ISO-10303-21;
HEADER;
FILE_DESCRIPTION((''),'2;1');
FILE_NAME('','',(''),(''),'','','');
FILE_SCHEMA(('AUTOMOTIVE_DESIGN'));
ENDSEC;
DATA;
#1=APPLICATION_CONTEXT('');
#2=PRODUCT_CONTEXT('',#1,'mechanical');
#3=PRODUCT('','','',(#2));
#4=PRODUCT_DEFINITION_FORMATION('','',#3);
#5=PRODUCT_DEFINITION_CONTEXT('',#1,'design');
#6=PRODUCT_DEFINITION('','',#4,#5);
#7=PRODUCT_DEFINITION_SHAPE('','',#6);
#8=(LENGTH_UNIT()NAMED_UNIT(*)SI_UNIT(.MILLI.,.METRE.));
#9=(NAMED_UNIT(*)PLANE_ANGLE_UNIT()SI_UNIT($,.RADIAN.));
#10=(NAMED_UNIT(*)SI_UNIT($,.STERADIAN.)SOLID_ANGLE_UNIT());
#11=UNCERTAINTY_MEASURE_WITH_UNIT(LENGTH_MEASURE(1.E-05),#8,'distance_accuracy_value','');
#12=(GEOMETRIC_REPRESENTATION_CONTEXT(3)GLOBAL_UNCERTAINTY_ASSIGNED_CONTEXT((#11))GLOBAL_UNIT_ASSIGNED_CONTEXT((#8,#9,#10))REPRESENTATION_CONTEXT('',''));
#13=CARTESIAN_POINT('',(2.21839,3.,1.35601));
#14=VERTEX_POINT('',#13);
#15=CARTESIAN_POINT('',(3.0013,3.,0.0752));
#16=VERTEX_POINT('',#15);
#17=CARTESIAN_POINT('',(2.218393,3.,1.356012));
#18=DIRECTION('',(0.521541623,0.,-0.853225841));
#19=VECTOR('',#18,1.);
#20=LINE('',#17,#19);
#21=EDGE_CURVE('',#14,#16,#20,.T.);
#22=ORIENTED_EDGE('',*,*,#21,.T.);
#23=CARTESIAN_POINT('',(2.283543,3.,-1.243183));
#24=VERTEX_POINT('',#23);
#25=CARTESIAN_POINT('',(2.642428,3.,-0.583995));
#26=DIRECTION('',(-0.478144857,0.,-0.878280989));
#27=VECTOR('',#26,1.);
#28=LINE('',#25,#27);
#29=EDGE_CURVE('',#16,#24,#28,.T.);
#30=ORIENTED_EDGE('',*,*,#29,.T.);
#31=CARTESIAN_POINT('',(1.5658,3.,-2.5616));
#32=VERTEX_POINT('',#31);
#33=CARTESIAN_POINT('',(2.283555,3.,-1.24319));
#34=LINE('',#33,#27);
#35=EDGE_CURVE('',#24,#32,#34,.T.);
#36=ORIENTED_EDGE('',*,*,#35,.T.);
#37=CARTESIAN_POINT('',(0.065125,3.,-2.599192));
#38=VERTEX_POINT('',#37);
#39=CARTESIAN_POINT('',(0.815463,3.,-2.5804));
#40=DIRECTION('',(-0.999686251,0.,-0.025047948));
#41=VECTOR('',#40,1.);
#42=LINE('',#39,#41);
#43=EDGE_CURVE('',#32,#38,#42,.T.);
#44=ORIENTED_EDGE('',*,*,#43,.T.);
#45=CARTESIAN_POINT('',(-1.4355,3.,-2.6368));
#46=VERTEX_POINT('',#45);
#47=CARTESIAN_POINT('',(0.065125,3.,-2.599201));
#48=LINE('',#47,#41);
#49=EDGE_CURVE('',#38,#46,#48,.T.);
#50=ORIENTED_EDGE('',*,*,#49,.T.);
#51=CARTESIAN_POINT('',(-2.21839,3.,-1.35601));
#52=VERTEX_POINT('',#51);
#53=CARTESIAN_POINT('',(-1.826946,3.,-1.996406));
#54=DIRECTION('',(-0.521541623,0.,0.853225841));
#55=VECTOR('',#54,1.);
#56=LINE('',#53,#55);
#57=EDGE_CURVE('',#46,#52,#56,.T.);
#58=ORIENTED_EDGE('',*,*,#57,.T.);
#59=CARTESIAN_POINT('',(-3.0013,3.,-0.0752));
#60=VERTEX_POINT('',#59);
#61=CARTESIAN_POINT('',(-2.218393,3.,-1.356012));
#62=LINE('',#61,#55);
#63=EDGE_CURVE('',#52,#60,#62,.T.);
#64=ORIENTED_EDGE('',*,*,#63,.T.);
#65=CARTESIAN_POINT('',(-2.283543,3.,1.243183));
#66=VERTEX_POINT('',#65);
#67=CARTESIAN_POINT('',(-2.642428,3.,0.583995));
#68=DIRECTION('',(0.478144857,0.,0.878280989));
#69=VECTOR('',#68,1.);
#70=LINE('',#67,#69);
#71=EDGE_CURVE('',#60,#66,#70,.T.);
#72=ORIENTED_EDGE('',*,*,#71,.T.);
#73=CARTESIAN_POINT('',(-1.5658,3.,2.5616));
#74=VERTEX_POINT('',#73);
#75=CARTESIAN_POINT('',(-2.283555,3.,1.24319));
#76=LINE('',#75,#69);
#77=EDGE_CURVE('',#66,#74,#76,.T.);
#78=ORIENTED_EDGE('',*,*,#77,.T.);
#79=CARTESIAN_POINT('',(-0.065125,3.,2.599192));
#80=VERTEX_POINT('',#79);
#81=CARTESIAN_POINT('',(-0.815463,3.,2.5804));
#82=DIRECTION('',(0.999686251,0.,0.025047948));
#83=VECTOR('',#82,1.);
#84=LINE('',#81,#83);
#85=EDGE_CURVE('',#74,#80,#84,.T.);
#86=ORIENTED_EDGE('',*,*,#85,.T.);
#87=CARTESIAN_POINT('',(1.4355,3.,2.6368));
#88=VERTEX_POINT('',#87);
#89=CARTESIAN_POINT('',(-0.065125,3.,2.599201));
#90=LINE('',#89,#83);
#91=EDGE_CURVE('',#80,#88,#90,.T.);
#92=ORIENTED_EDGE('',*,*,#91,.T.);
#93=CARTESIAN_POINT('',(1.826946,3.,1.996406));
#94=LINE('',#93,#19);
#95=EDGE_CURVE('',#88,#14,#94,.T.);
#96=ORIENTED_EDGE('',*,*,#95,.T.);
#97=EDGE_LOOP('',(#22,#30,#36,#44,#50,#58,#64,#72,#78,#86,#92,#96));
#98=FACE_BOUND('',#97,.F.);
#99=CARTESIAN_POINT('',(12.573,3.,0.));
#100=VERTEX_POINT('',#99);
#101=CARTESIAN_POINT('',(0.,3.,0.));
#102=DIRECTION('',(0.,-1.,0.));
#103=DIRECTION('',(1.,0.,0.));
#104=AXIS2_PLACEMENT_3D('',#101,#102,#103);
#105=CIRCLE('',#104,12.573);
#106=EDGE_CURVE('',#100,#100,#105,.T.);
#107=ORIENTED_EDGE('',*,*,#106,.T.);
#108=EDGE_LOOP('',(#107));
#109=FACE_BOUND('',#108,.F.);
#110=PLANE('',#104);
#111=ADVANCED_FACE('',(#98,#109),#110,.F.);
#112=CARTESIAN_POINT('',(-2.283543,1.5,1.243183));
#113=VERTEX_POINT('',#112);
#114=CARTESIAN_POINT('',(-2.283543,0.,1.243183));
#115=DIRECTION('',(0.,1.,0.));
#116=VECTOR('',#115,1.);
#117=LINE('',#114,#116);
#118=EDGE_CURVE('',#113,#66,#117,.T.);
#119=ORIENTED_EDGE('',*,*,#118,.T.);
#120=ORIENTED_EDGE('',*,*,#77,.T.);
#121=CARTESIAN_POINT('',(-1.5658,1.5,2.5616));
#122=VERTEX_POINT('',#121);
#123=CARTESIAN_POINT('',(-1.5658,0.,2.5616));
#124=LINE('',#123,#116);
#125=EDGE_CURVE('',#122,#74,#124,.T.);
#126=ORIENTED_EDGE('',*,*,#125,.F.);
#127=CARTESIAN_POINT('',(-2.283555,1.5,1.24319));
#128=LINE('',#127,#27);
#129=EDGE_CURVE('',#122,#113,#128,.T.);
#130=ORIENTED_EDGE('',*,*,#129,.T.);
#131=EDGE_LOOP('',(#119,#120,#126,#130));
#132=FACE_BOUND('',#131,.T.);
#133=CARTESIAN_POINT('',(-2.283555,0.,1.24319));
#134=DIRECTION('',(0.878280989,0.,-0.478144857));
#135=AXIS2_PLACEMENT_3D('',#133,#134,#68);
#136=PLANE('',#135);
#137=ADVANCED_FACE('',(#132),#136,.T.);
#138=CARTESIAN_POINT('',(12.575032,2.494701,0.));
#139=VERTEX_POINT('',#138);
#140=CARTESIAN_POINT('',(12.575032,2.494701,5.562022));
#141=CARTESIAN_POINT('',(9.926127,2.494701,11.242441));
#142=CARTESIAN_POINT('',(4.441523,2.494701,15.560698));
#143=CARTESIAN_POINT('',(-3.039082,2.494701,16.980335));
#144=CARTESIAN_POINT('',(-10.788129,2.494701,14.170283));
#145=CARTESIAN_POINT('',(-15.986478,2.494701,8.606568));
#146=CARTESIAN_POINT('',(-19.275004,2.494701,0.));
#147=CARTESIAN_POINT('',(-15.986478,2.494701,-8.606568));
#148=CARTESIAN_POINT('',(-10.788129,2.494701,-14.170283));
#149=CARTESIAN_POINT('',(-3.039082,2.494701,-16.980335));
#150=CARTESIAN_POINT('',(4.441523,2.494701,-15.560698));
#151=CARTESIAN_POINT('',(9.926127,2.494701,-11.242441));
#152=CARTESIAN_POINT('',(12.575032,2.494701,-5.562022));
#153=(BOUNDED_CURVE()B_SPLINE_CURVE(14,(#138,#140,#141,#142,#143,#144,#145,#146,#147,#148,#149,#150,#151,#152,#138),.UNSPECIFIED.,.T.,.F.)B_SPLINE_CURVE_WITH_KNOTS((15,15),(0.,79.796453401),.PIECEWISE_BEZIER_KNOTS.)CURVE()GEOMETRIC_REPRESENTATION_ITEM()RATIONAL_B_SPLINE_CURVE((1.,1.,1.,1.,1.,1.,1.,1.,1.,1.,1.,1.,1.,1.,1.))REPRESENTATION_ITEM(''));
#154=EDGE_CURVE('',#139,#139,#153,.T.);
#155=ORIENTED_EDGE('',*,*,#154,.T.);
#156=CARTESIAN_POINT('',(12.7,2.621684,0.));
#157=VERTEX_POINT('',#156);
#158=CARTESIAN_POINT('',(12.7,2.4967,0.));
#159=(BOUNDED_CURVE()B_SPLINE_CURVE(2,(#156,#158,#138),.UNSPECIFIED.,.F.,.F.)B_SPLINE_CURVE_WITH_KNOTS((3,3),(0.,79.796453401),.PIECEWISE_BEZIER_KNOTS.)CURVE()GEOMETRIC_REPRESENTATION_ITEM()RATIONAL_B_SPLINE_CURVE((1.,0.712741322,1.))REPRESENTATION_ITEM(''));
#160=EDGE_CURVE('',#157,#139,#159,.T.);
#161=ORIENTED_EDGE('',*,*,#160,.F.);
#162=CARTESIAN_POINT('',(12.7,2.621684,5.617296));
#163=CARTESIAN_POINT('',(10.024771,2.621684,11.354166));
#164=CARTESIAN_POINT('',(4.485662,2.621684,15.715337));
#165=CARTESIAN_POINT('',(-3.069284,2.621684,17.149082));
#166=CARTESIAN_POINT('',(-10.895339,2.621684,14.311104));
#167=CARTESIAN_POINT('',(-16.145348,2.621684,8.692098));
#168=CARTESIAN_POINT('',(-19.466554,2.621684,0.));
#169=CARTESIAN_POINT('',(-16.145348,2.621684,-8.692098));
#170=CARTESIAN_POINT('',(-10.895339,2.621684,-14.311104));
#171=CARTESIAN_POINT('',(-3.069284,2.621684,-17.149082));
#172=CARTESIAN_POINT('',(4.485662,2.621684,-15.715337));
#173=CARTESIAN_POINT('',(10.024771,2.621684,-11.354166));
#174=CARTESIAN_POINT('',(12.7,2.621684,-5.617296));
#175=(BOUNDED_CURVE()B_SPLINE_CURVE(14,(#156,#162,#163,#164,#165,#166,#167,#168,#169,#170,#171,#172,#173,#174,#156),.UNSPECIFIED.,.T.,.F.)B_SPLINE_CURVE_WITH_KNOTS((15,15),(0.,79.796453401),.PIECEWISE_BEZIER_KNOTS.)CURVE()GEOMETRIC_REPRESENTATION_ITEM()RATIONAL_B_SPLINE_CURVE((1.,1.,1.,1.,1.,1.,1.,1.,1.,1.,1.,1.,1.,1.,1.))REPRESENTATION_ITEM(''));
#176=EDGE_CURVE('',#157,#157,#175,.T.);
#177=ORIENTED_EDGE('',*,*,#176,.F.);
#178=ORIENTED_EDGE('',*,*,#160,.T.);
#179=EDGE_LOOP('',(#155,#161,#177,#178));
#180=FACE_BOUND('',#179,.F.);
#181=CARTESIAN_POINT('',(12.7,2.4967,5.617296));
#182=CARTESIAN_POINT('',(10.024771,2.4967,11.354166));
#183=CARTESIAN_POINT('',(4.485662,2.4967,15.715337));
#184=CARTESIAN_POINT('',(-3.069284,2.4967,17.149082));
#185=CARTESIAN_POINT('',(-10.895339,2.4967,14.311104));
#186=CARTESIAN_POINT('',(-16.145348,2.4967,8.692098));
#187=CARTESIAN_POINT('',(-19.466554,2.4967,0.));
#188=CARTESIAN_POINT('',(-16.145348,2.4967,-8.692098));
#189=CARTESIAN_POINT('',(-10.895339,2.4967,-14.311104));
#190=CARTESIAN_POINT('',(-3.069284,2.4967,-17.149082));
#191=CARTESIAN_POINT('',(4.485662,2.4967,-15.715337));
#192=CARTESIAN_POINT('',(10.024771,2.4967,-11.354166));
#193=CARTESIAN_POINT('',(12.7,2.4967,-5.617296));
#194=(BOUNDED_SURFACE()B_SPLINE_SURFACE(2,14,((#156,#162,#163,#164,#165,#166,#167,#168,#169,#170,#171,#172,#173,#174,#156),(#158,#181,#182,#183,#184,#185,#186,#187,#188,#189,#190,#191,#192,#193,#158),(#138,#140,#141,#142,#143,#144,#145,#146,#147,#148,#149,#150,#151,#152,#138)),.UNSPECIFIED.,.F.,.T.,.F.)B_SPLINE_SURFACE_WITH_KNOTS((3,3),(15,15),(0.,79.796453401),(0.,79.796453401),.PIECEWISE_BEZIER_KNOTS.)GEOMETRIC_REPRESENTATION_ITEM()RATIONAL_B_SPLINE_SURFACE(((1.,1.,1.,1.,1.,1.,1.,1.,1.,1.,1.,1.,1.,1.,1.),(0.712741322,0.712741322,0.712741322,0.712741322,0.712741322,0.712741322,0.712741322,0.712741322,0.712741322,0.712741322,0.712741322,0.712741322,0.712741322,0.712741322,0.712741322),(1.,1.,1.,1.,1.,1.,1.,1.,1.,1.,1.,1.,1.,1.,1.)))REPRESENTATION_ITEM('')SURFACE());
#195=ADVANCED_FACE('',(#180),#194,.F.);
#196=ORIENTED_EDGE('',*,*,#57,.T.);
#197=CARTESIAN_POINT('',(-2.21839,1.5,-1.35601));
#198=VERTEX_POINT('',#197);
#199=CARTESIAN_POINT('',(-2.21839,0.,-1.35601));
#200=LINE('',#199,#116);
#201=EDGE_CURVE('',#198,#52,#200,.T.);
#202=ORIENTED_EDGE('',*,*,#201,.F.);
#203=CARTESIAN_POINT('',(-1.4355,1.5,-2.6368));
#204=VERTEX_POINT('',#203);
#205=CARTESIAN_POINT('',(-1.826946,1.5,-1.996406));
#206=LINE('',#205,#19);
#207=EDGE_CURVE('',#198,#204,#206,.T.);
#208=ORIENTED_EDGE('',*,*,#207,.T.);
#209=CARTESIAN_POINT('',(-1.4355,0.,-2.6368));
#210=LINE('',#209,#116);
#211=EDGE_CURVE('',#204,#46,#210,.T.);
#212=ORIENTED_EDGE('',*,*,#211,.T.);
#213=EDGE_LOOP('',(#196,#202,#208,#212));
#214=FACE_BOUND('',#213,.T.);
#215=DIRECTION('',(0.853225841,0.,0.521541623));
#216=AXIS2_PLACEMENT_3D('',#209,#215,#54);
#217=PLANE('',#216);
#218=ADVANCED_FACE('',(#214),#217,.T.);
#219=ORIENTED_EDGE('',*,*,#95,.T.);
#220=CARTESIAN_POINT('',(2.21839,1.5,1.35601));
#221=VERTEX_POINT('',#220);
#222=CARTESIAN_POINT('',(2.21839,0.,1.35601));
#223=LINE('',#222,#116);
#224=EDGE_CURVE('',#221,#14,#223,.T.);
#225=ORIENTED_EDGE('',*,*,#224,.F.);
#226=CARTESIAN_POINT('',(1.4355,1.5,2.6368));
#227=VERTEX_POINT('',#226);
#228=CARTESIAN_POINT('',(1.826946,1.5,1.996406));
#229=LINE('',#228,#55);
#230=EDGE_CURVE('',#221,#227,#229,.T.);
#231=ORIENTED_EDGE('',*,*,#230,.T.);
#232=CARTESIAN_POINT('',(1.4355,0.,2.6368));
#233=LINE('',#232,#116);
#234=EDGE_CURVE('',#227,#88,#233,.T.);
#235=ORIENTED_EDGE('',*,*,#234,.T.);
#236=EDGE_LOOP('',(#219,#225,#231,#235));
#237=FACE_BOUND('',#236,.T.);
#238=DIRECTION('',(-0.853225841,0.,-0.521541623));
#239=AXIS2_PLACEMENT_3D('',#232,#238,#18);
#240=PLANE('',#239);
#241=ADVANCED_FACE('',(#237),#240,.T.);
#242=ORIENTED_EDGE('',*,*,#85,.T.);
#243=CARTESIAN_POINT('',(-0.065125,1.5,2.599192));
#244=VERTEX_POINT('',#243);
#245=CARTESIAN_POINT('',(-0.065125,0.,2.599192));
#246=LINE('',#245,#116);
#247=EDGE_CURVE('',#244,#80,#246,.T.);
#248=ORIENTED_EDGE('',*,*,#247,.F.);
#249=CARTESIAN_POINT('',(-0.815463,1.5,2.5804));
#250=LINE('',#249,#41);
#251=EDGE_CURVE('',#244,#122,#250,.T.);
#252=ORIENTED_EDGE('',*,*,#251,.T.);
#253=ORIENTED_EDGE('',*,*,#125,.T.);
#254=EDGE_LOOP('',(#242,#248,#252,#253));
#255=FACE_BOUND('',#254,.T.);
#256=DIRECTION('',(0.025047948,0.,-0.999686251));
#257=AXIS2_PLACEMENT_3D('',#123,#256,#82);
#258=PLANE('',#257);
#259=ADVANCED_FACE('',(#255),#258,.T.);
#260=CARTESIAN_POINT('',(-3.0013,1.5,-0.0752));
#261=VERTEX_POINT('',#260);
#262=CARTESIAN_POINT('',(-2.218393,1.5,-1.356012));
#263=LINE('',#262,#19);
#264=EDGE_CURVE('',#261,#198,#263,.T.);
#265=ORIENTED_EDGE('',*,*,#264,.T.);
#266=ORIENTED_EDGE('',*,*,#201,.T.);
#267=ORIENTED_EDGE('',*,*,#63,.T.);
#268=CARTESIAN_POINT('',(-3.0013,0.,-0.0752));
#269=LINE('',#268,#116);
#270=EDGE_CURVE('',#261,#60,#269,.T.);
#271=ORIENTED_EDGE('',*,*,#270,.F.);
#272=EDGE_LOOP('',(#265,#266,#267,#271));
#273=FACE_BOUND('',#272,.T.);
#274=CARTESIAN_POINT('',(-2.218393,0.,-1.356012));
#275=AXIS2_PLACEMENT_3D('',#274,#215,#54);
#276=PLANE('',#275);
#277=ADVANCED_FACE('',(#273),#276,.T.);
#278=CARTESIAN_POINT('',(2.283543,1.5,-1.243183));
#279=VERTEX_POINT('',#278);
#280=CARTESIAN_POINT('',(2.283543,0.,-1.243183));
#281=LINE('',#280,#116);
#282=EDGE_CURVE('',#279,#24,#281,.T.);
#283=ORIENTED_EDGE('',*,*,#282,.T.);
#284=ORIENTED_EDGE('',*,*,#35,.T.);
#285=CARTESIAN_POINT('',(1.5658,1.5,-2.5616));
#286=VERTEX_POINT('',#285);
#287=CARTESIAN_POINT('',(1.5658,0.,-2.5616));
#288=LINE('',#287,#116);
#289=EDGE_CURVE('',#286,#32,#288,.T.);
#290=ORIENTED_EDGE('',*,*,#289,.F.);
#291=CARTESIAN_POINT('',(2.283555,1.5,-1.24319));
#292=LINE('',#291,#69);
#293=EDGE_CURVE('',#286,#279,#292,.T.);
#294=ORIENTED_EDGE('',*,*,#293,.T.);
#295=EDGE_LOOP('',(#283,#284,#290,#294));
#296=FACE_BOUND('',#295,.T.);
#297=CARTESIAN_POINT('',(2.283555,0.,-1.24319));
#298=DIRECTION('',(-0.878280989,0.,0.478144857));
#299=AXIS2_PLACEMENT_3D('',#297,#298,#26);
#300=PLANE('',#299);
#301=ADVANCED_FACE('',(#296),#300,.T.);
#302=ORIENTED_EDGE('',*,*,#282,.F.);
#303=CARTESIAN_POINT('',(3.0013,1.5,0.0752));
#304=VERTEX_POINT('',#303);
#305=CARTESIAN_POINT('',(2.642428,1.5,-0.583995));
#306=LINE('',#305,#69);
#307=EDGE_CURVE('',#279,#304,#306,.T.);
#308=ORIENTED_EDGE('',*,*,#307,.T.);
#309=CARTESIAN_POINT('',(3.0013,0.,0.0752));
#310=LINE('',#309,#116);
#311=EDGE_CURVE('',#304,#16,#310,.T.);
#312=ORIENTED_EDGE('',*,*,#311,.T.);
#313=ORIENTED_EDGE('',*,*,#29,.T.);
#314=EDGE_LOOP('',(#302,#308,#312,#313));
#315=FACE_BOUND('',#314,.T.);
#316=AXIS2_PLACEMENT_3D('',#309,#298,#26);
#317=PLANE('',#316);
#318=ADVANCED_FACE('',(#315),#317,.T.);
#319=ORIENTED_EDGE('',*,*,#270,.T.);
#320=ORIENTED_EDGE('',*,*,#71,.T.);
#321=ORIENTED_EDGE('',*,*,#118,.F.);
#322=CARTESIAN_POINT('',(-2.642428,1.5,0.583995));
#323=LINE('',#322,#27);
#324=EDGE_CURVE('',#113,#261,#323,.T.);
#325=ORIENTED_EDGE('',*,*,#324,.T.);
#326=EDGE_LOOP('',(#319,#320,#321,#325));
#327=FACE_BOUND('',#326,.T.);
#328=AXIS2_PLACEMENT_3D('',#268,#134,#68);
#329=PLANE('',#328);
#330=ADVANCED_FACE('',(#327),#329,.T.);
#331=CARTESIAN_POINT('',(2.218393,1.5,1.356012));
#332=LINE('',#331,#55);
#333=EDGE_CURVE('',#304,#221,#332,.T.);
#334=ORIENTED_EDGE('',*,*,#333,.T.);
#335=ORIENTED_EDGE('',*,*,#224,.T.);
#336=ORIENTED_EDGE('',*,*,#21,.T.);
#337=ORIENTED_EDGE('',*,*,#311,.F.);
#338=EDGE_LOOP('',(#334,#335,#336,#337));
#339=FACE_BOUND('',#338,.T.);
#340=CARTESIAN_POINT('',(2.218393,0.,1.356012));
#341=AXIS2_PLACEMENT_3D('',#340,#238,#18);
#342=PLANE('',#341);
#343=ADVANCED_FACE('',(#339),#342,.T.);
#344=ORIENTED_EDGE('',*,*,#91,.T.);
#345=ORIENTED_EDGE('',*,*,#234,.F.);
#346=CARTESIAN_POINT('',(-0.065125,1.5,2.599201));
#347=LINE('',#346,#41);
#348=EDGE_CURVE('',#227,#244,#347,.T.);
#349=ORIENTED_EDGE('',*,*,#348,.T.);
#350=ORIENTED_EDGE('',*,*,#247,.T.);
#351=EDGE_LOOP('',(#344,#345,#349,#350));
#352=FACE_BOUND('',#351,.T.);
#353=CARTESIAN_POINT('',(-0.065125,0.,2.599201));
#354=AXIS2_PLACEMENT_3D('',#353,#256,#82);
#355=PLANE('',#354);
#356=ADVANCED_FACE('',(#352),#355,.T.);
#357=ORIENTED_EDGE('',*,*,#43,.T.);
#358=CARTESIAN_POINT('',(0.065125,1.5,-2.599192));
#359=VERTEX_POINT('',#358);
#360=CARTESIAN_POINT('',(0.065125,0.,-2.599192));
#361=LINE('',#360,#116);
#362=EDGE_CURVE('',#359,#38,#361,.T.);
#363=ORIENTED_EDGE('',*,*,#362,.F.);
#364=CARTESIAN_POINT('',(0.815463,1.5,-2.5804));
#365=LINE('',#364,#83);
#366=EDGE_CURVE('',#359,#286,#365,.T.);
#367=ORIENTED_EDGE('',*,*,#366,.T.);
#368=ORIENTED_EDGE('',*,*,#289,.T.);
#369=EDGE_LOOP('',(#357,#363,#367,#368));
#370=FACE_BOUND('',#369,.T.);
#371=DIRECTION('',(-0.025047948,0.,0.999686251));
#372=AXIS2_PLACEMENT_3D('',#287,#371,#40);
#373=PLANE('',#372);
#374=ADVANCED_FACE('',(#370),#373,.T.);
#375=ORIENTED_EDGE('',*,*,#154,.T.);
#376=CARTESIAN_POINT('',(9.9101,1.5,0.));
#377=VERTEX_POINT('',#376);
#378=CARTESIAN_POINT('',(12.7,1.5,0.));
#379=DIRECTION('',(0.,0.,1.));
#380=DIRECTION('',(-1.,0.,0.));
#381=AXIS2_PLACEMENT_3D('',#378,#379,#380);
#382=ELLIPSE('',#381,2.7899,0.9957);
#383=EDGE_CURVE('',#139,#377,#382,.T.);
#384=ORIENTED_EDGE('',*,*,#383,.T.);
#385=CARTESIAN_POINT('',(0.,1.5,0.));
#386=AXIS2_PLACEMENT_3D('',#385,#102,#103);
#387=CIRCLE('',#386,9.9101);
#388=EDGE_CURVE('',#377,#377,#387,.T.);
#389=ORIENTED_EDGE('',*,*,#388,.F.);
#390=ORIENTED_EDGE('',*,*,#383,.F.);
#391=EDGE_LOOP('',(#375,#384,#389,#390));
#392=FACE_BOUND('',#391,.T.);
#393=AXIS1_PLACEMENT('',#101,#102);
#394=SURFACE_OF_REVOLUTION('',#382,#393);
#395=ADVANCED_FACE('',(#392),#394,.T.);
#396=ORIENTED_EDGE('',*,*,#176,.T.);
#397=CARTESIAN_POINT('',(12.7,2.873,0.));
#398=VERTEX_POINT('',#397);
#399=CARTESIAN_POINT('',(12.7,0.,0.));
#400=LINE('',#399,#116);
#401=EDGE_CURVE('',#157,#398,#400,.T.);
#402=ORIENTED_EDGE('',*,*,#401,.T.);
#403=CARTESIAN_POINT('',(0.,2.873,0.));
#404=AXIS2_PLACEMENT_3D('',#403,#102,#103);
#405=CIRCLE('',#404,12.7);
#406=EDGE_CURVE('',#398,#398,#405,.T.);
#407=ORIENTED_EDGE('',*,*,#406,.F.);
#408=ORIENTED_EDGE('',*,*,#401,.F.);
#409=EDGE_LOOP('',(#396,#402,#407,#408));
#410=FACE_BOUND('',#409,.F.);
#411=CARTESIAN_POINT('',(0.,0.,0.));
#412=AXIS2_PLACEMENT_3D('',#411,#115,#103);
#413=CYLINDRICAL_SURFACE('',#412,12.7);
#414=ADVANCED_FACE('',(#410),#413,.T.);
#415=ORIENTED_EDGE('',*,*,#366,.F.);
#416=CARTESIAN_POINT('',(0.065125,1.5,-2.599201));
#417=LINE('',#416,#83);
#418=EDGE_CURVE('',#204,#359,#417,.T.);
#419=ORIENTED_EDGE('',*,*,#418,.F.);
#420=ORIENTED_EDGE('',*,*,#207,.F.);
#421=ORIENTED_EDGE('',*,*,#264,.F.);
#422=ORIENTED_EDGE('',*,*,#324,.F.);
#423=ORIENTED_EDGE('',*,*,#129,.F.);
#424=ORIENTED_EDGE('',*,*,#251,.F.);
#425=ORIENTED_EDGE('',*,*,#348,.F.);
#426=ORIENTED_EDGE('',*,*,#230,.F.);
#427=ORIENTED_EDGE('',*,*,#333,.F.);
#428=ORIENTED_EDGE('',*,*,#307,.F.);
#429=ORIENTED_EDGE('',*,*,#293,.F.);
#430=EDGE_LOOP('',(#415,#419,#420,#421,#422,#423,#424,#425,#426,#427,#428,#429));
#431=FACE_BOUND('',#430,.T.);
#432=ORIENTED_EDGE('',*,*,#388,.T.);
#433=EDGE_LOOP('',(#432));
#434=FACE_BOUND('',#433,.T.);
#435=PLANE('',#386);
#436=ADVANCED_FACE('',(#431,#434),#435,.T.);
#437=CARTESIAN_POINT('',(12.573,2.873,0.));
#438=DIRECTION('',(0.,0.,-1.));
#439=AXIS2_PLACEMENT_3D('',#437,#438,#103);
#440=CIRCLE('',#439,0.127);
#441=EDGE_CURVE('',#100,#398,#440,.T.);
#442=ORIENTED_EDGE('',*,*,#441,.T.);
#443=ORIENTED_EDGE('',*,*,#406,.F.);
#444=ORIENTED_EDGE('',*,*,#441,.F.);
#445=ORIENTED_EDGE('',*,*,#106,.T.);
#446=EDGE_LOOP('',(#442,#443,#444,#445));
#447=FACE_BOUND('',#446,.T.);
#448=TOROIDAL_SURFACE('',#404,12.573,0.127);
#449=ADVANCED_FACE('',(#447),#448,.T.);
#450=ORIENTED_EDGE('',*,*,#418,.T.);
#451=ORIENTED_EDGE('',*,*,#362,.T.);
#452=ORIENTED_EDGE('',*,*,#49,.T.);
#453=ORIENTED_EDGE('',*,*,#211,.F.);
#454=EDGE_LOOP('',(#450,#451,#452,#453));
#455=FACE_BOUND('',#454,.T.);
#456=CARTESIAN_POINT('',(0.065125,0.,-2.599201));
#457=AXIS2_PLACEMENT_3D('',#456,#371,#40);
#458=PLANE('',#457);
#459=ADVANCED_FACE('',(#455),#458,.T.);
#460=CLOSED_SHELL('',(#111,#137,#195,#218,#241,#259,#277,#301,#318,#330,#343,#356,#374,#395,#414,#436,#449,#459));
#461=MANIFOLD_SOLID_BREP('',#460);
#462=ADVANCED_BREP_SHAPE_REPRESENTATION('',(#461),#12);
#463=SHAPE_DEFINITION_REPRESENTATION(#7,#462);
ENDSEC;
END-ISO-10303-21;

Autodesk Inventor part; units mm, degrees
ref_plane "YZ Plane" through (0, 0, 0) normal (1, 0, 0) x (0, 1, 0)
ref_plane "XZ Plane" through (0, 0, 0) normal (0, 1, 0) x (-1, 0, 0)
ref_plane "XY Plane" through (0, 0, 0) normal (0, 0, 1) x (1, 0, 0)
sketch "Sketch1" plane through (0, 0, 0) normal (0, 0, 1) x (1, 0, 0)
  line L0 (0, 0) -> (12.7, 0)
  line L1 (12.7, 0) -> (12.7, 3)
  line L2 (12.7, 3) -> (0, 3)
  line L3 (0, 3) -> (0, 0)
  ellipse E0 centre (12.7, 1.5) end of major axis (9.9101, 1.5) minor radius 0.9957
  point P0 (12.7, 0.5043)
  point P1 (12.7, 2.4957)
  dimension "d0" = 12.7
  dimension "d1" = 3
revolve "Revolution1" add sketch "Sketch1" angle 360 about axis through (0, 3, 0) along (0, -1, 0) contours L3 L2 L1 E0 L0
fillet "Fillet1" radius 0.127 4 edges at (-12.7, 3, 0) (-12.7, 2.4957, 0) (-12.7, 0.5043, 0) (-12.7, 0, 0)
sketch "Sketch2" plane through (0, 0, 0) normal (0, -1, 0) x (1, 0, 0)
  circle A0 centre (0, 0) radius 2.6
  line L0 (1.5658, -2.5616) -> (-1.4355, -2.6368)
  line L1 (-1.4355, -2.6368) -> (-3.0013, -0.0752)
  line L2 (-3.0013, -0.0752) -> (-1.5658, 2.5616)
  line L3 (-1.5658, 2.5616) -> (1.4355, 2.6368)
  line L4 (1.4355, 2.6368) -> (3.0013, 0.0752)
  line L5 (3.0013, 0.0752) -> (1.5658, -2.5616)
  point P0 (2.2835, -1.2432)
  dimension "d4" = 5.2
extrude "Extrusion1" cut sketch "Sketch2" against normal through all
sketch "Sketch3" plane through (0, 0, 0) normal (0, -1, 0) x (1, 0, 0)
  circle A0 centre (0, 0) radius 22.3514
extrude "Extrusion2" cut sketch "Sketch3" against normal blind 1.5
properties part number "Pulley because david hates it_3DPrint"
